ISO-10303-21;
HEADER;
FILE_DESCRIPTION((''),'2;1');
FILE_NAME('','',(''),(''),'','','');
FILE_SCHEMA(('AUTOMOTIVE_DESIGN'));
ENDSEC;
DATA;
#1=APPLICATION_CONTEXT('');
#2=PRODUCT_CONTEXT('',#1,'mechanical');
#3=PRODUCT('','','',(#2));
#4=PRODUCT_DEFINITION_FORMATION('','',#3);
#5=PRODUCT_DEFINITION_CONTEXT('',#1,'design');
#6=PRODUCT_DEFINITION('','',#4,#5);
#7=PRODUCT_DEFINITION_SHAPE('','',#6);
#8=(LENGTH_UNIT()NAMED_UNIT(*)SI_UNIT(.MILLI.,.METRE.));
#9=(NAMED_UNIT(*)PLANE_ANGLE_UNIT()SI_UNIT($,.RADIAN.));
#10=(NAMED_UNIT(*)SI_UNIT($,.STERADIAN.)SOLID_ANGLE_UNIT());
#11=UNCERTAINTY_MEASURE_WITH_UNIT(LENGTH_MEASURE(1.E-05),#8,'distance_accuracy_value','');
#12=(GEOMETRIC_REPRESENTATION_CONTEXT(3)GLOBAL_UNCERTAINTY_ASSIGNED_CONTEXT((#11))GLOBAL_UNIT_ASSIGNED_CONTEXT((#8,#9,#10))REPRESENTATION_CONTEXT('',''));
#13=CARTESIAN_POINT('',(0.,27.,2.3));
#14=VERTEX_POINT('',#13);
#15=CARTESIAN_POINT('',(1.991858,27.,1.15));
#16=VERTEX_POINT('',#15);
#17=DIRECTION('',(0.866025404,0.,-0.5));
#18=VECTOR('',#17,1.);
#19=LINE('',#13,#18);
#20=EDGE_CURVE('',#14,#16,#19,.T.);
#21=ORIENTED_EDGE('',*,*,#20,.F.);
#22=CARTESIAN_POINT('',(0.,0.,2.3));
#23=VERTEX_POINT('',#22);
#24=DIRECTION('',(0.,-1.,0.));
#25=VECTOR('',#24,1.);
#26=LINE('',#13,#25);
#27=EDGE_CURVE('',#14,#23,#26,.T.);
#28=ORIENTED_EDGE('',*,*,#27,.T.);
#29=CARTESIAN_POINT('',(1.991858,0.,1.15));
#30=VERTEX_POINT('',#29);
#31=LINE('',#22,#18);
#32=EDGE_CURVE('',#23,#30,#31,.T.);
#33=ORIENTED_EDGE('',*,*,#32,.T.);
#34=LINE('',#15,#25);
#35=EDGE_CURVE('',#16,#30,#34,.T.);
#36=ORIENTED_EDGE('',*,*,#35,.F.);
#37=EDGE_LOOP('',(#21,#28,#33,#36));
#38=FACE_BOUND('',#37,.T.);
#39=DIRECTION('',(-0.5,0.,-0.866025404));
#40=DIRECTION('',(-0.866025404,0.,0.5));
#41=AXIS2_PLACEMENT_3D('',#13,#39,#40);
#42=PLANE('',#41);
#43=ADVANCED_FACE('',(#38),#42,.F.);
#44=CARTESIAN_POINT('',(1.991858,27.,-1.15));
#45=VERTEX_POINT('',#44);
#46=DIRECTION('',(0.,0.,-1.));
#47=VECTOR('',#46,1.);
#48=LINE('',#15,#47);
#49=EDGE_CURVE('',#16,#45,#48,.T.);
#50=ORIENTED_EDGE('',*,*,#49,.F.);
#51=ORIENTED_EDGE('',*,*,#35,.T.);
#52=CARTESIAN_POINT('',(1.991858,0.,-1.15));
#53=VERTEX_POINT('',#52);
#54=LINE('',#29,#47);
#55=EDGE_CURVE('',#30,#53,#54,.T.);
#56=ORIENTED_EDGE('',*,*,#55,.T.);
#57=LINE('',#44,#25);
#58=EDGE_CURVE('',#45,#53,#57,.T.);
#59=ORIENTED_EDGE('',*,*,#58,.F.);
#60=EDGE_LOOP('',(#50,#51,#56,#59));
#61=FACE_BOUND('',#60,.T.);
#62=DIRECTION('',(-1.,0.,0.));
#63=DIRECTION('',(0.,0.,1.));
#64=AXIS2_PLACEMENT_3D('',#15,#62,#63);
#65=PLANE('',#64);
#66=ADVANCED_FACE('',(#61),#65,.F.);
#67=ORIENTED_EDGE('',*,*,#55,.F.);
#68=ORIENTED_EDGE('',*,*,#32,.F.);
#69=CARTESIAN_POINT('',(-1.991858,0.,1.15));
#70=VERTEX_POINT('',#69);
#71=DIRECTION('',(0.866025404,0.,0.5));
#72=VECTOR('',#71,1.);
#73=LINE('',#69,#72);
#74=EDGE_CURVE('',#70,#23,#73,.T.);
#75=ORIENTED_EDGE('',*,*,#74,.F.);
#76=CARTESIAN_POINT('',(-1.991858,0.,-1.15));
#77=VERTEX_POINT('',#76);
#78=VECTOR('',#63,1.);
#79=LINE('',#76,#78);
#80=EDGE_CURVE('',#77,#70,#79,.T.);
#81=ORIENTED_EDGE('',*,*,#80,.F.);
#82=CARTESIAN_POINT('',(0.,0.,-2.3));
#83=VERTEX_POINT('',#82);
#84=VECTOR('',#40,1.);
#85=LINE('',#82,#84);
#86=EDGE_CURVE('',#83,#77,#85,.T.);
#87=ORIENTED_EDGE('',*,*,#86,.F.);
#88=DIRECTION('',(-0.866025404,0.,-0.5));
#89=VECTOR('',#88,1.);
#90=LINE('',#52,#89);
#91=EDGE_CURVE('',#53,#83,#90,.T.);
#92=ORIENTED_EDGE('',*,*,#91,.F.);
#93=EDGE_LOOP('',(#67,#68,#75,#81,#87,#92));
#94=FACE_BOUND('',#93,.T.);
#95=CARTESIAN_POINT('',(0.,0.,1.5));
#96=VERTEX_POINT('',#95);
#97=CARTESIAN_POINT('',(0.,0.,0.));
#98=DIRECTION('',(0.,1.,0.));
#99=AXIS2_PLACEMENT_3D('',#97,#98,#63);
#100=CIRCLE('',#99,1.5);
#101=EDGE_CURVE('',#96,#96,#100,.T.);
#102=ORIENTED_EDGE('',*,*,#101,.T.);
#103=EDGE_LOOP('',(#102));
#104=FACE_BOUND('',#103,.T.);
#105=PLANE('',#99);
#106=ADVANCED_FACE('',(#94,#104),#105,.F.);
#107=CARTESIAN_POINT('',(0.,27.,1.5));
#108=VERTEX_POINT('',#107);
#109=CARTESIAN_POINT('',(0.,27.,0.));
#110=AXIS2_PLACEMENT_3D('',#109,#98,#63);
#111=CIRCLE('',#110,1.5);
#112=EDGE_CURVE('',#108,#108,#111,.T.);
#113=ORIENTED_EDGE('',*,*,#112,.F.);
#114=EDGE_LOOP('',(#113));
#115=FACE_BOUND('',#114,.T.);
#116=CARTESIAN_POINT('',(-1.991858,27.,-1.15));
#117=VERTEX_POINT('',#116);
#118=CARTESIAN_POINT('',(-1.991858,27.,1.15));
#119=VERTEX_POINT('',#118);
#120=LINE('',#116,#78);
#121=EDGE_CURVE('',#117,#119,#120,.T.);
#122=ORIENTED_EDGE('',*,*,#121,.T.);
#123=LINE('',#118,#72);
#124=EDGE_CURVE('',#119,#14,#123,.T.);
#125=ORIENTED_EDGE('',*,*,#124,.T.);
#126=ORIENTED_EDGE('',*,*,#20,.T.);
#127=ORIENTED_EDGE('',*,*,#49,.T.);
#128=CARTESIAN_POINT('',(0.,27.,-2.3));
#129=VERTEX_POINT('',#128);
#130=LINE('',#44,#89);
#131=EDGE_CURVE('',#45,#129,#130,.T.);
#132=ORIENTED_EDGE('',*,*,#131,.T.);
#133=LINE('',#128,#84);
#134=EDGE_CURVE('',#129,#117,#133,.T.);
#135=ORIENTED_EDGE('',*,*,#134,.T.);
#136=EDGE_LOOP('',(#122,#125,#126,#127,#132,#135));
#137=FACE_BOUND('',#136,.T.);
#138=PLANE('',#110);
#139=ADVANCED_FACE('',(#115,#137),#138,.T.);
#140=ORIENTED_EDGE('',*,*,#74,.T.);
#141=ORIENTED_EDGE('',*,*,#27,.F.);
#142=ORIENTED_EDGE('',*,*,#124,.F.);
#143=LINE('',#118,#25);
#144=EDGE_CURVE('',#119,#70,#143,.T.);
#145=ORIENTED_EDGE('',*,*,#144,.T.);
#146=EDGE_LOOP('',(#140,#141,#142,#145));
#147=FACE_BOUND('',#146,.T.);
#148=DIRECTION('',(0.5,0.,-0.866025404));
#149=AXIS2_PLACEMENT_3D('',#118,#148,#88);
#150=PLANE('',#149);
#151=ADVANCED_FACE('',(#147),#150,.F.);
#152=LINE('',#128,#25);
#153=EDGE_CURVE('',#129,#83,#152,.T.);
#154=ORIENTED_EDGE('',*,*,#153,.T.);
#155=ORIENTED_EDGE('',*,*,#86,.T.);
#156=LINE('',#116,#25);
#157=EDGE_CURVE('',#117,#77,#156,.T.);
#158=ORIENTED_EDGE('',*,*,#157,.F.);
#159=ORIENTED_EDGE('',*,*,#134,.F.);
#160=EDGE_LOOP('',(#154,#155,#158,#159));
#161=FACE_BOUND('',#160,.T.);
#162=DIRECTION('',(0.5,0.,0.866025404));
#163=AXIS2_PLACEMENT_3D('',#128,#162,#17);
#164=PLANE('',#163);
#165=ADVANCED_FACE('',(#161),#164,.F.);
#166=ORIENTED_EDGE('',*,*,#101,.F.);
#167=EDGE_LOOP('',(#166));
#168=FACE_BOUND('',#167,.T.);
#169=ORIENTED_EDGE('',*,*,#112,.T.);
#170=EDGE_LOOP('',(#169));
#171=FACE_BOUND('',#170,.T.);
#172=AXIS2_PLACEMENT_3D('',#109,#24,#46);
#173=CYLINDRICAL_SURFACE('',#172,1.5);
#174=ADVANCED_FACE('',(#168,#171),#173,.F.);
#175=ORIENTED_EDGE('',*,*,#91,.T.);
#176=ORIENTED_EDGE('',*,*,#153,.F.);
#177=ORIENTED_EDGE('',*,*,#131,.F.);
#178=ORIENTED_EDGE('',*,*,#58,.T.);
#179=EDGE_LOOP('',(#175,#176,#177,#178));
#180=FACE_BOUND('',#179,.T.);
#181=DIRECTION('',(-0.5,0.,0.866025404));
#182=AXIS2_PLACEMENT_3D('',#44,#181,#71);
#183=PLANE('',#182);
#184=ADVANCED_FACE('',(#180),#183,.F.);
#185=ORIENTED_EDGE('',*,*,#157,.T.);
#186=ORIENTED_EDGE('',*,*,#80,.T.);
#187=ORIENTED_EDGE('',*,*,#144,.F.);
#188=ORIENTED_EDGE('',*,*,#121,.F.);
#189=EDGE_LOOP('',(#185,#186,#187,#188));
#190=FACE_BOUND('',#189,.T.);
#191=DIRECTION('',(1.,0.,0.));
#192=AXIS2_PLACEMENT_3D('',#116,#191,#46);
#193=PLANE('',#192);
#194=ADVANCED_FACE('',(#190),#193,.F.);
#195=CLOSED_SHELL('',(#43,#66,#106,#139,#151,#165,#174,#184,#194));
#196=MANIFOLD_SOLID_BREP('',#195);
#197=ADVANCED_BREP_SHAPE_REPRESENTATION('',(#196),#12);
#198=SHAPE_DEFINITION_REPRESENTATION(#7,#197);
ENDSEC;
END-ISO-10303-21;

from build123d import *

# Parameters (mm, degrees)
SKETCH_1_R      = 1.5
EXTRUDE_1_DEPTH = 27


with BuildPart() as part:
    # 草图1 → 凸台-拉伸1 (new body)
    with BuildSketch(Plane(origin=(0, 0, 0), x_dir=(1, 0, 0), z_dir=(0, 1, 0))):
        Polygon((0, 2.3), (-1.991858429, 1.15), (-1.991858429, -1.15), (0, -2.3), (1.991858429, -1.15), (1.991858429, 1.15), align=None)
        with Locations(Location((0, 0, 0), (0, 0, 270))):
            Circle(SKETCH_1_R, mode=Mode.SUBTRACT)
    extrude(amount=EXTRUDE_1_DEPTH)


solid = part.part
